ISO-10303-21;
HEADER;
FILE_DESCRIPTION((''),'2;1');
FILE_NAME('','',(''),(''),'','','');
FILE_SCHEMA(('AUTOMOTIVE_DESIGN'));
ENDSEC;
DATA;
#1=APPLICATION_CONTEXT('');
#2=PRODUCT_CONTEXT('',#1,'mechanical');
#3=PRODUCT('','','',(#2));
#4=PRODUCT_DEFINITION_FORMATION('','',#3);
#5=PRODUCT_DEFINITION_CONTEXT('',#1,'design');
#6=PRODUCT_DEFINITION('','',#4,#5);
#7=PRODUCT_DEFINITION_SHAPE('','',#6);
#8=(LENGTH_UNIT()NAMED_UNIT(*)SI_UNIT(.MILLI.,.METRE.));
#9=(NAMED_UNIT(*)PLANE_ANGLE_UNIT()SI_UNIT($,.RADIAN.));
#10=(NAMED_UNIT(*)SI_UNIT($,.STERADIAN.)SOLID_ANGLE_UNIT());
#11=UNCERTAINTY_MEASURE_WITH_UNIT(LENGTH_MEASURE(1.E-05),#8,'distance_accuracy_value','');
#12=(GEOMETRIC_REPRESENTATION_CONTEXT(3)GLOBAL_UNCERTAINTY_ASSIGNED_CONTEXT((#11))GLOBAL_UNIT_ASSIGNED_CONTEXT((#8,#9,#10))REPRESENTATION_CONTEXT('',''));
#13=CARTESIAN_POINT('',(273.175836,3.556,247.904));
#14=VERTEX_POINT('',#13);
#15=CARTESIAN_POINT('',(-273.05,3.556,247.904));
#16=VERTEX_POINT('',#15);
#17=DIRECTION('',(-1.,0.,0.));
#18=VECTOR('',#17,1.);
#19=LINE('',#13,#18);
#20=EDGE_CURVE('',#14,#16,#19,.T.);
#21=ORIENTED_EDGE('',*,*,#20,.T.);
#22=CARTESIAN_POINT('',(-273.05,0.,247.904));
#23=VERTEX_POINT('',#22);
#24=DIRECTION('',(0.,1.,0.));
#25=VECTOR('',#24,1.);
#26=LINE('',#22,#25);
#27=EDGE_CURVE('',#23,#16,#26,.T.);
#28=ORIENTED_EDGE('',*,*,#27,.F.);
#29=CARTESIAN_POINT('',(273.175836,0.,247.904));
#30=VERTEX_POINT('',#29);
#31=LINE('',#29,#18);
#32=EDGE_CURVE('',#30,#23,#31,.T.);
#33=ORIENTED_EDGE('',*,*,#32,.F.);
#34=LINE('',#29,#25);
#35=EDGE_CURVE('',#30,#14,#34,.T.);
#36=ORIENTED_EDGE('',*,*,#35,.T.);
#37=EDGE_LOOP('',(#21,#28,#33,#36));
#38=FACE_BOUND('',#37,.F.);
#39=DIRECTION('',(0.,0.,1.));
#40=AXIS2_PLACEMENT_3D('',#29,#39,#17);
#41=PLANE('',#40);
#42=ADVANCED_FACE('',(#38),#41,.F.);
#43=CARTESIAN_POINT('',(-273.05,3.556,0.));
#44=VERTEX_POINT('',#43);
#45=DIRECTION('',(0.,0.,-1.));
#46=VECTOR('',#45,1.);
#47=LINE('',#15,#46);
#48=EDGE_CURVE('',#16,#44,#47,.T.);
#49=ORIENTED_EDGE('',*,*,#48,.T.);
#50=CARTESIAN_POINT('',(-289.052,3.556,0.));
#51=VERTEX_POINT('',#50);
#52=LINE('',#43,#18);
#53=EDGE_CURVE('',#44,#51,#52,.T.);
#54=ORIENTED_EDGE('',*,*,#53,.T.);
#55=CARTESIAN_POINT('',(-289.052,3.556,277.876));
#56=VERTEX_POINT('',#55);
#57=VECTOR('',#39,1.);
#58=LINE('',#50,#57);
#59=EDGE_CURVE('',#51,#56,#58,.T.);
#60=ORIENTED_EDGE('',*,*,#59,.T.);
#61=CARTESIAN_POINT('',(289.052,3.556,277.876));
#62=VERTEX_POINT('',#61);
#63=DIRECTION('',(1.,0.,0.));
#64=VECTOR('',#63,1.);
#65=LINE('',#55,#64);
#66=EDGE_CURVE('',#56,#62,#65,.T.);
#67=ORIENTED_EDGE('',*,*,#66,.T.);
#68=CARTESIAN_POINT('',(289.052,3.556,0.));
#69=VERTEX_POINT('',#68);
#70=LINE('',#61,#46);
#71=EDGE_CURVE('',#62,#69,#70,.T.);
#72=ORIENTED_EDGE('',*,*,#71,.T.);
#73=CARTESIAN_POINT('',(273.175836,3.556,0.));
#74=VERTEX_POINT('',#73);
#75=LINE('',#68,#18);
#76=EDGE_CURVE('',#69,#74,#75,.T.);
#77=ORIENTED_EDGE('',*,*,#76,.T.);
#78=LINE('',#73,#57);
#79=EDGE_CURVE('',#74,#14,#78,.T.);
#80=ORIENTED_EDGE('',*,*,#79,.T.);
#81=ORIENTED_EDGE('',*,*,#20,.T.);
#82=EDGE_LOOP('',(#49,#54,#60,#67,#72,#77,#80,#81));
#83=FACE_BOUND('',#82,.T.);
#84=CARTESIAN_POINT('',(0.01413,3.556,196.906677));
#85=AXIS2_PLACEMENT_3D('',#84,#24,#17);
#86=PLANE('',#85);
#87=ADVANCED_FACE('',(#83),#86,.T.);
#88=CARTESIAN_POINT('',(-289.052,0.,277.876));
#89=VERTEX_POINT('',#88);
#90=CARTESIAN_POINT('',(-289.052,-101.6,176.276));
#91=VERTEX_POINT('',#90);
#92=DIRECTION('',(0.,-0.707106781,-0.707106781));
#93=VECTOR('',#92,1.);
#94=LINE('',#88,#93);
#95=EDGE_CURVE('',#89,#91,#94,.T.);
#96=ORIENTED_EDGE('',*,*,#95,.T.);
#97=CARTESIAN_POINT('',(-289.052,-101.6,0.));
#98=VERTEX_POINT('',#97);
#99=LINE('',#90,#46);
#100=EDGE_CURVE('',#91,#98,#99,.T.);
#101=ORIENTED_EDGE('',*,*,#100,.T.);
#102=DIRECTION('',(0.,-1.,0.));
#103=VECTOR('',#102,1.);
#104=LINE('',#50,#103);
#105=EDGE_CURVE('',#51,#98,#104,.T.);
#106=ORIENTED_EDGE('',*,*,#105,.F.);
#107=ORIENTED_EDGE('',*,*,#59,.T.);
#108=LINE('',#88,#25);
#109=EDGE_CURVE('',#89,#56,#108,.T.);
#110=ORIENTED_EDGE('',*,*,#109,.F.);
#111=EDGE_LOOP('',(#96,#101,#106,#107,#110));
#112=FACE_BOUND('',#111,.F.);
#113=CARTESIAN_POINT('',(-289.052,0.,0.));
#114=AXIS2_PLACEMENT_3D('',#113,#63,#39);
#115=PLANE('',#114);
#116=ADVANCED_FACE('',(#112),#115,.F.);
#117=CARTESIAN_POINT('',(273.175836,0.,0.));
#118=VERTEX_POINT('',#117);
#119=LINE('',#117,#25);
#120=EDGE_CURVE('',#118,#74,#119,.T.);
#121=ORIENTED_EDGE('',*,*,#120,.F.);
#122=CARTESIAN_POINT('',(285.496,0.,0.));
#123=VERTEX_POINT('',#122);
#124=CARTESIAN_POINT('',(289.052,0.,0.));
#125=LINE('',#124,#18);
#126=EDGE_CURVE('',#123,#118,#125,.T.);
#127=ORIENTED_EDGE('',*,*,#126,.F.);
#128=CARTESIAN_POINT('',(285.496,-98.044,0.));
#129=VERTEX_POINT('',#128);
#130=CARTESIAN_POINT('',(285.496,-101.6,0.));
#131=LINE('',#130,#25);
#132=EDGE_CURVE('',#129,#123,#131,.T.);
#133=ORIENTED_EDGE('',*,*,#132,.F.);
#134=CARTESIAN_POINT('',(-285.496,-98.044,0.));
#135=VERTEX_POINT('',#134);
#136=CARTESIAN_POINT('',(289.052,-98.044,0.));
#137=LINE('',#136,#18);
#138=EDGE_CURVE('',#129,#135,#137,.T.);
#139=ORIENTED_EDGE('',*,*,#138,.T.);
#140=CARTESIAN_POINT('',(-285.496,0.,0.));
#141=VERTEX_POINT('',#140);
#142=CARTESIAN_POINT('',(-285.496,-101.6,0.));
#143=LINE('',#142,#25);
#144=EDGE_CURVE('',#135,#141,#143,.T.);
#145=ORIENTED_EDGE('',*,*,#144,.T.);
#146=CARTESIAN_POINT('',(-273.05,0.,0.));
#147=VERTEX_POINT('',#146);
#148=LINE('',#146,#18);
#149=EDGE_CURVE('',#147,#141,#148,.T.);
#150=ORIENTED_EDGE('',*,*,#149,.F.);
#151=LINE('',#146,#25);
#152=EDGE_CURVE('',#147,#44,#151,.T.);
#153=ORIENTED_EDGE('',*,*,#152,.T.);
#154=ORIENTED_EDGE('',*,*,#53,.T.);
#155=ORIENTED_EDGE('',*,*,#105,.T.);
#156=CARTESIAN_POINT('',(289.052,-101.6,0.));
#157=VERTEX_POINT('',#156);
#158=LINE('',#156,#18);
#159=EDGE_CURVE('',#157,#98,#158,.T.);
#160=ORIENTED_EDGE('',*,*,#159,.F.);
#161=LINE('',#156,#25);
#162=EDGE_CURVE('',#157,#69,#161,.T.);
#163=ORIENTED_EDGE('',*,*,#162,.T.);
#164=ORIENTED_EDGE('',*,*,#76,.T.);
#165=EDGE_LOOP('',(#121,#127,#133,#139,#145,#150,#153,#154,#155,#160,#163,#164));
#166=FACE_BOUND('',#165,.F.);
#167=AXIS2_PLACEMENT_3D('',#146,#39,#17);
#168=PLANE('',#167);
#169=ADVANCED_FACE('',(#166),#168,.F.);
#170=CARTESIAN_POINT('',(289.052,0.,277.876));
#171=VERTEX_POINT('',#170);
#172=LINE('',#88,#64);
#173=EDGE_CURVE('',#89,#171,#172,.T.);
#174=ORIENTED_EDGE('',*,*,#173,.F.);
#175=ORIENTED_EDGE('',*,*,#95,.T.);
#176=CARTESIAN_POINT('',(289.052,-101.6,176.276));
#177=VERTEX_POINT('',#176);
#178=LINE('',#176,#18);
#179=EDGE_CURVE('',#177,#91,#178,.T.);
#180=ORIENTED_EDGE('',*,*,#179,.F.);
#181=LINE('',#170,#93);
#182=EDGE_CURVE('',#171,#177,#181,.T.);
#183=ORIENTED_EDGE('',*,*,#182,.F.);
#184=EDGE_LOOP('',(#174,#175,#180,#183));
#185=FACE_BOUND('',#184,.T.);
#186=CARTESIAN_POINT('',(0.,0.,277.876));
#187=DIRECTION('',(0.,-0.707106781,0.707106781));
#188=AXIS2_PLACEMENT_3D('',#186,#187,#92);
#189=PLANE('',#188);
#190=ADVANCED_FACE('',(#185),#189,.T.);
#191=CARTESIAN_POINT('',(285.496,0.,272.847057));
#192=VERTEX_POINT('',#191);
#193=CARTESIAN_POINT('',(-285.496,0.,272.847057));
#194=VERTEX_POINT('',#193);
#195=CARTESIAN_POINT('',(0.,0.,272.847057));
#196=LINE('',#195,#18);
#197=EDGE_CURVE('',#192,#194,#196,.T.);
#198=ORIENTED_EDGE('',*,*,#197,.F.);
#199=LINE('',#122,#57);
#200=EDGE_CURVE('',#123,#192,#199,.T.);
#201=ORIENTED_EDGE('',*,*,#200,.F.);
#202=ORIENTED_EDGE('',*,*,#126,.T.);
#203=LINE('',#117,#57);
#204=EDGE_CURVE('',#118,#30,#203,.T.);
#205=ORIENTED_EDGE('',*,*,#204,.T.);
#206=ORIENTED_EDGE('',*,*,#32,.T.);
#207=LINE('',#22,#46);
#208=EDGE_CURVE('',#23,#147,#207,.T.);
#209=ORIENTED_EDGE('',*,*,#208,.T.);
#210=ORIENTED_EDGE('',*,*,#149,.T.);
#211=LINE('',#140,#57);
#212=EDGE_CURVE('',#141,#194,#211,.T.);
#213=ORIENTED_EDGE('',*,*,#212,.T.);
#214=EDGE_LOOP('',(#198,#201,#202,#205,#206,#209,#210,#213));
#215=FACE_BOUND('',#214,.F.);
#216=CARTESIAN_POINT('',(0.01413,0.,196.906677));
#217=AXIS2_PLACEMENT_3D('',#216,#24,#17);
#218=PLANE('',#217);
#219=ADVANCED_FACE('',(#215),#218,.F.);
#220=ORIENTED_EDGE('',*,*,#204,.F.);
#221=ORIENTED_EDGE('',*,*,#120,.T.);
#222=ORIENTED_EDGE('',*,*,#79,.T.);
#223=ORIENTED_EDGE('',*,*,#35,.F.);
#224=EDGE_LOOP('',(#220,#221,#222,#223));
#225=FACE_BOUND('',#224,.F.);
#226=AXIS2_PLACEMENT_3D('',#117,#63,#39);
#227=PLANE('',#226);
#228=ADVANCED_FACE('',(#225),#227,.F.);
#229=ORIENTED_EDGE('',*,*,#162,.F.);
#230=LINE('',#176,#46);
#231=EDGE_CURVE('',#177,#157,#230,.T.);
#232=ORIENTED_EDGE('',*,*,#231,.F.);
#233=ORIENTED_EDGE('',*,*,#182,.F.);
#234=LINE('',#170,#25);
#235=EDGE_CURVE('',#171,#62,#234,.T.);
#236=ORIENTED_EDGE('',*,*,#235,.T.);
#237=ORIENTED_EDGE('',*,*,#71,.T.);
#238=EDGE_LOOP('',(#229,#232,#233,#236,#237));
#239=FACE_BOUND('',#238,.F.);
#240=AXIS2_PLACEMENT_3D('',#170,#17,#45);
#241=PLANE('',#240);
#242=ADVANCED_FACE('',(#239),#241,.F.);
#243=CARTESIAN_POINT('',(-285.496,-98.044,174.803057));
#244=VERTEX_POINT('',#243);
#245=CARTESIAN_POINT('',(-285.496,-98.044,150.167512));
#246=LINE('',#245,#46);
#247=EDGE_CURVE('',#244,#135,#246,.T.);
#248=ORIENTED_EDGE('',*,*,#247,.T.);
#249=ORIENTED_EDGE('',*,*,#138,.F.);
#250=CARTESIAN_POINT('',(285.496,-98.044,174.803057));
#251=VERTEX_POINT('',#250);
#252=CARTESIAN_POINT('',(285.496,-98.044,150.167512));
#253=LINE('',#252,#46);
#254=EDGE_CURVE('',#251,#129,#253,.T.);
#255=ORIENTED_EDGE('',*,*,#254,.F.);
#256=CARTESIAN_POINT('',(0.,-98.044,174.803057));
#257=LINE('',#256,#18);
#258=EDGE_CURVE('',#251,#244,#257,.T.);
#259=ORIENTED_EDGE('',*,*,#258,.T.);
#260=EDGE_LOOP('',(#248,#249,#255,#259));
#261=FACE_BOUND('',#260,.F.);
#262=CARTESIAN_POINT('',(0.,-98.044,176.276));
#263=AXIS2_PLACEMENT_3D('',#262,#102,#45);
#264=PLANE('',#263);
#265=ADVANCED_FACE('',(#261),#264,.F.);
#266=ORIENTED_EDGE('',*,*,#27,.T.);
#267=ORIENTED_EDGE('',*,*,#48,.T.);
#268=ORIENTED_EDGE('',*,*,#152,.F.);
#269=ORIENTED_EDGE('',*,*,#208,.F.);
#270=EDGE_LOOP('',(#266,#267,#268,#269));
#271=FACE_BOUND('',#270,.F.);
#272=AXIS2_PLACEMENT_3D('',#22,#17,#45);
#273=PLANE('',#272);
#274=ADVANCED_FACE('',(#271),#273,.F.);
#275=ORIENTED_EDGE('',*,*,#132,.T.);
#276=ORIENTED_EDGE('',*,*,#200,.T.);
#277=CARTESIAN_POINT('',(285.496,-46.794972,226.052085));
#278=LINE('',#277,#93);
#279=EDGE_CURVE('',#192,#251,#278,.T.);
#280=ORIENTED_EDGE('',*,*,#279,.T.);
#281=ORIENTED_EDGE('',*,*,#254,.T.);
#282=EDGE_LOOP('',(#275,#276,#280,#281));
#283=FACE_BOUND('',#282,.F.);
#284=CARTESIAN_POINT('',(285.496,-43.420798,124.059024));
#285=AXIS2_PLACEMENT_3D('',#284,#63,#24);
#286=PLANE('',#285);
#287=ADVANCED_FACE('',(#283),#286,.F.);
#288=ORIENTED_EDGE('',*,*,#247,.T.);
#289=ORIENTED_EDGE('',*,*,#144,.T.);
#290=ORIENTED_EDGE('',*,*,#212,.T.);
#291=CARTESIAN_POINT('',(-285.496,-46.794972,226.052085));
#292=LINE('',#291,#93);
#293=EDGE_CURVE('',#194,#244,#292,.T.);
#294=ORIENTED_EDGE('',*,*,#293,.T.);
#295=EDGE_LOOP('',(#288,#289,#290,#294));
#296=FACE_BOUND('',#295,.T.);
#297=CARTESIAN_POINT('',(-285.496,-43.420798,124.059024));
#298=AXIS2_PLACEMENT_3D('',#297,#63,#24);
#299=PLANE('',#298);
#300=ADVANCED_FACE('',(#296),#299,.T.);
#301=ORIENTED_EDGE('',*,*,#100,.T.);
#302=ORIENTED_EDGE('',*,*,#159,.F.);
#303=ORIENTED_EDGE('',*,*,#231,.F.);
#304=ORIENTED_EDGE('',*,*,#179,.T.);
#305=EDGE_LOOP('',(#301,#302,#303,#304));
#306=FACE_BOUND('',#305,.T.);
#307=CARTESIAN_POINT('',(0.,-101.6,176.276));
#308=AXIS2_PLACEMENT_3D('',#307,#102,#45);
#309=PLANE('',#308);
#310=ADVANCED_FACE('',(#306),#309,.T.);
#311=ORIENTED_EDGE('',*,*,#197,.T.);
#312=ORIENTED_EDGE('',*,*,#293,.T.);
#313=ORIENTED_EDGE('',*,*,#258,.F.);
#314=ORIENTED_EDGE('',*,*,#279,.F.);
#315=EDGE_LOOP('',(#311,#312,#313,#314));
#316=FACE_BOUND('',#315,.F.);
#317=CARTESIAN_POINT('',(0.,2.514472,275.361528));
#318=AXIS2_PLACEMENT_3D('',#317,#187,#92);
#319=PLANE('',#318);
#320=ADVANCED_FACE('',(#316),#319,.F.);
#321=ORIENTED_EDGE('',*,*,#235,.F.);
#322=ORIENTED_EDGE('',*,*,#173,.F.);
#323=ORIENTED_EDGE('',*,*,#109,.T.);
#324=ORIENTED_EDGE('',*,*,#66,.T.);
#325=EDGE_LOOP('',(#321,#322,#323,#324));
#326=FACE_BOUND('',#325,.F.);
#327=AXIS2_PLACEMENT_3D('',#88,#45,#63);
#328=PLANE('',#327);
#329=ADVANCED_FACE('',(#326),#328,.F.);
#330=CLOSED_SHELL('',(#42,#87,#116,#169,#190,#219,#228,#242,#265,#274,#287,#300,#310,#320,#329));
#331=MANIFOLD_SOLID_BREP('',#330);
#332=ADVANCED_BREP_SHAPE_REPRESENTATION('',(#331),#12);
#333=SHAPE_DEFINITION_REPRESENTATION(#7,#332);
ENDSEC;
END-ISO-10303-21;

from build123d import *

# Parameters (mm, degrees)
F1_DEPTH = 289.052
F2_T     = -3.556
F4_DEPTH = 3.556


with BuildPart() as f1:
    # F0 (on Right) → F1 (new body, symmetric)
    with BuildSketch(Plane.YZ):
        Polygon((-101.6, 0), (0, 0), (0, 277.876), (-101.6, 176.276), align=None)
    extrude(amount=F1_DEPTH, both=True)

    # F2
    f2_openings = [f1.faces().sort_by_distance(p)[0] for p in [
        (0, 0, 138.938),
        (0, -50.8, 0),
    ]]
    offset(amount=F2_T, openings=f2_openings)

    # F3 (on face) → F4 (join)
    with BuildSketch(Plane(origin=(0, 0, 0), x_dir=(-1, 0, 0), z_dir=(0, 1, 0))):
        Polygon((289.052, 277.876), (-289.052, 277.876), (-289.052, 0), (-273.175836, 0), (-273.175836, 247.904), (273.05, 247.904), (273.05, 0), (289.052, 0), align=None)
    extrude(amount=F4_DEPTH)


solid = f1.part
